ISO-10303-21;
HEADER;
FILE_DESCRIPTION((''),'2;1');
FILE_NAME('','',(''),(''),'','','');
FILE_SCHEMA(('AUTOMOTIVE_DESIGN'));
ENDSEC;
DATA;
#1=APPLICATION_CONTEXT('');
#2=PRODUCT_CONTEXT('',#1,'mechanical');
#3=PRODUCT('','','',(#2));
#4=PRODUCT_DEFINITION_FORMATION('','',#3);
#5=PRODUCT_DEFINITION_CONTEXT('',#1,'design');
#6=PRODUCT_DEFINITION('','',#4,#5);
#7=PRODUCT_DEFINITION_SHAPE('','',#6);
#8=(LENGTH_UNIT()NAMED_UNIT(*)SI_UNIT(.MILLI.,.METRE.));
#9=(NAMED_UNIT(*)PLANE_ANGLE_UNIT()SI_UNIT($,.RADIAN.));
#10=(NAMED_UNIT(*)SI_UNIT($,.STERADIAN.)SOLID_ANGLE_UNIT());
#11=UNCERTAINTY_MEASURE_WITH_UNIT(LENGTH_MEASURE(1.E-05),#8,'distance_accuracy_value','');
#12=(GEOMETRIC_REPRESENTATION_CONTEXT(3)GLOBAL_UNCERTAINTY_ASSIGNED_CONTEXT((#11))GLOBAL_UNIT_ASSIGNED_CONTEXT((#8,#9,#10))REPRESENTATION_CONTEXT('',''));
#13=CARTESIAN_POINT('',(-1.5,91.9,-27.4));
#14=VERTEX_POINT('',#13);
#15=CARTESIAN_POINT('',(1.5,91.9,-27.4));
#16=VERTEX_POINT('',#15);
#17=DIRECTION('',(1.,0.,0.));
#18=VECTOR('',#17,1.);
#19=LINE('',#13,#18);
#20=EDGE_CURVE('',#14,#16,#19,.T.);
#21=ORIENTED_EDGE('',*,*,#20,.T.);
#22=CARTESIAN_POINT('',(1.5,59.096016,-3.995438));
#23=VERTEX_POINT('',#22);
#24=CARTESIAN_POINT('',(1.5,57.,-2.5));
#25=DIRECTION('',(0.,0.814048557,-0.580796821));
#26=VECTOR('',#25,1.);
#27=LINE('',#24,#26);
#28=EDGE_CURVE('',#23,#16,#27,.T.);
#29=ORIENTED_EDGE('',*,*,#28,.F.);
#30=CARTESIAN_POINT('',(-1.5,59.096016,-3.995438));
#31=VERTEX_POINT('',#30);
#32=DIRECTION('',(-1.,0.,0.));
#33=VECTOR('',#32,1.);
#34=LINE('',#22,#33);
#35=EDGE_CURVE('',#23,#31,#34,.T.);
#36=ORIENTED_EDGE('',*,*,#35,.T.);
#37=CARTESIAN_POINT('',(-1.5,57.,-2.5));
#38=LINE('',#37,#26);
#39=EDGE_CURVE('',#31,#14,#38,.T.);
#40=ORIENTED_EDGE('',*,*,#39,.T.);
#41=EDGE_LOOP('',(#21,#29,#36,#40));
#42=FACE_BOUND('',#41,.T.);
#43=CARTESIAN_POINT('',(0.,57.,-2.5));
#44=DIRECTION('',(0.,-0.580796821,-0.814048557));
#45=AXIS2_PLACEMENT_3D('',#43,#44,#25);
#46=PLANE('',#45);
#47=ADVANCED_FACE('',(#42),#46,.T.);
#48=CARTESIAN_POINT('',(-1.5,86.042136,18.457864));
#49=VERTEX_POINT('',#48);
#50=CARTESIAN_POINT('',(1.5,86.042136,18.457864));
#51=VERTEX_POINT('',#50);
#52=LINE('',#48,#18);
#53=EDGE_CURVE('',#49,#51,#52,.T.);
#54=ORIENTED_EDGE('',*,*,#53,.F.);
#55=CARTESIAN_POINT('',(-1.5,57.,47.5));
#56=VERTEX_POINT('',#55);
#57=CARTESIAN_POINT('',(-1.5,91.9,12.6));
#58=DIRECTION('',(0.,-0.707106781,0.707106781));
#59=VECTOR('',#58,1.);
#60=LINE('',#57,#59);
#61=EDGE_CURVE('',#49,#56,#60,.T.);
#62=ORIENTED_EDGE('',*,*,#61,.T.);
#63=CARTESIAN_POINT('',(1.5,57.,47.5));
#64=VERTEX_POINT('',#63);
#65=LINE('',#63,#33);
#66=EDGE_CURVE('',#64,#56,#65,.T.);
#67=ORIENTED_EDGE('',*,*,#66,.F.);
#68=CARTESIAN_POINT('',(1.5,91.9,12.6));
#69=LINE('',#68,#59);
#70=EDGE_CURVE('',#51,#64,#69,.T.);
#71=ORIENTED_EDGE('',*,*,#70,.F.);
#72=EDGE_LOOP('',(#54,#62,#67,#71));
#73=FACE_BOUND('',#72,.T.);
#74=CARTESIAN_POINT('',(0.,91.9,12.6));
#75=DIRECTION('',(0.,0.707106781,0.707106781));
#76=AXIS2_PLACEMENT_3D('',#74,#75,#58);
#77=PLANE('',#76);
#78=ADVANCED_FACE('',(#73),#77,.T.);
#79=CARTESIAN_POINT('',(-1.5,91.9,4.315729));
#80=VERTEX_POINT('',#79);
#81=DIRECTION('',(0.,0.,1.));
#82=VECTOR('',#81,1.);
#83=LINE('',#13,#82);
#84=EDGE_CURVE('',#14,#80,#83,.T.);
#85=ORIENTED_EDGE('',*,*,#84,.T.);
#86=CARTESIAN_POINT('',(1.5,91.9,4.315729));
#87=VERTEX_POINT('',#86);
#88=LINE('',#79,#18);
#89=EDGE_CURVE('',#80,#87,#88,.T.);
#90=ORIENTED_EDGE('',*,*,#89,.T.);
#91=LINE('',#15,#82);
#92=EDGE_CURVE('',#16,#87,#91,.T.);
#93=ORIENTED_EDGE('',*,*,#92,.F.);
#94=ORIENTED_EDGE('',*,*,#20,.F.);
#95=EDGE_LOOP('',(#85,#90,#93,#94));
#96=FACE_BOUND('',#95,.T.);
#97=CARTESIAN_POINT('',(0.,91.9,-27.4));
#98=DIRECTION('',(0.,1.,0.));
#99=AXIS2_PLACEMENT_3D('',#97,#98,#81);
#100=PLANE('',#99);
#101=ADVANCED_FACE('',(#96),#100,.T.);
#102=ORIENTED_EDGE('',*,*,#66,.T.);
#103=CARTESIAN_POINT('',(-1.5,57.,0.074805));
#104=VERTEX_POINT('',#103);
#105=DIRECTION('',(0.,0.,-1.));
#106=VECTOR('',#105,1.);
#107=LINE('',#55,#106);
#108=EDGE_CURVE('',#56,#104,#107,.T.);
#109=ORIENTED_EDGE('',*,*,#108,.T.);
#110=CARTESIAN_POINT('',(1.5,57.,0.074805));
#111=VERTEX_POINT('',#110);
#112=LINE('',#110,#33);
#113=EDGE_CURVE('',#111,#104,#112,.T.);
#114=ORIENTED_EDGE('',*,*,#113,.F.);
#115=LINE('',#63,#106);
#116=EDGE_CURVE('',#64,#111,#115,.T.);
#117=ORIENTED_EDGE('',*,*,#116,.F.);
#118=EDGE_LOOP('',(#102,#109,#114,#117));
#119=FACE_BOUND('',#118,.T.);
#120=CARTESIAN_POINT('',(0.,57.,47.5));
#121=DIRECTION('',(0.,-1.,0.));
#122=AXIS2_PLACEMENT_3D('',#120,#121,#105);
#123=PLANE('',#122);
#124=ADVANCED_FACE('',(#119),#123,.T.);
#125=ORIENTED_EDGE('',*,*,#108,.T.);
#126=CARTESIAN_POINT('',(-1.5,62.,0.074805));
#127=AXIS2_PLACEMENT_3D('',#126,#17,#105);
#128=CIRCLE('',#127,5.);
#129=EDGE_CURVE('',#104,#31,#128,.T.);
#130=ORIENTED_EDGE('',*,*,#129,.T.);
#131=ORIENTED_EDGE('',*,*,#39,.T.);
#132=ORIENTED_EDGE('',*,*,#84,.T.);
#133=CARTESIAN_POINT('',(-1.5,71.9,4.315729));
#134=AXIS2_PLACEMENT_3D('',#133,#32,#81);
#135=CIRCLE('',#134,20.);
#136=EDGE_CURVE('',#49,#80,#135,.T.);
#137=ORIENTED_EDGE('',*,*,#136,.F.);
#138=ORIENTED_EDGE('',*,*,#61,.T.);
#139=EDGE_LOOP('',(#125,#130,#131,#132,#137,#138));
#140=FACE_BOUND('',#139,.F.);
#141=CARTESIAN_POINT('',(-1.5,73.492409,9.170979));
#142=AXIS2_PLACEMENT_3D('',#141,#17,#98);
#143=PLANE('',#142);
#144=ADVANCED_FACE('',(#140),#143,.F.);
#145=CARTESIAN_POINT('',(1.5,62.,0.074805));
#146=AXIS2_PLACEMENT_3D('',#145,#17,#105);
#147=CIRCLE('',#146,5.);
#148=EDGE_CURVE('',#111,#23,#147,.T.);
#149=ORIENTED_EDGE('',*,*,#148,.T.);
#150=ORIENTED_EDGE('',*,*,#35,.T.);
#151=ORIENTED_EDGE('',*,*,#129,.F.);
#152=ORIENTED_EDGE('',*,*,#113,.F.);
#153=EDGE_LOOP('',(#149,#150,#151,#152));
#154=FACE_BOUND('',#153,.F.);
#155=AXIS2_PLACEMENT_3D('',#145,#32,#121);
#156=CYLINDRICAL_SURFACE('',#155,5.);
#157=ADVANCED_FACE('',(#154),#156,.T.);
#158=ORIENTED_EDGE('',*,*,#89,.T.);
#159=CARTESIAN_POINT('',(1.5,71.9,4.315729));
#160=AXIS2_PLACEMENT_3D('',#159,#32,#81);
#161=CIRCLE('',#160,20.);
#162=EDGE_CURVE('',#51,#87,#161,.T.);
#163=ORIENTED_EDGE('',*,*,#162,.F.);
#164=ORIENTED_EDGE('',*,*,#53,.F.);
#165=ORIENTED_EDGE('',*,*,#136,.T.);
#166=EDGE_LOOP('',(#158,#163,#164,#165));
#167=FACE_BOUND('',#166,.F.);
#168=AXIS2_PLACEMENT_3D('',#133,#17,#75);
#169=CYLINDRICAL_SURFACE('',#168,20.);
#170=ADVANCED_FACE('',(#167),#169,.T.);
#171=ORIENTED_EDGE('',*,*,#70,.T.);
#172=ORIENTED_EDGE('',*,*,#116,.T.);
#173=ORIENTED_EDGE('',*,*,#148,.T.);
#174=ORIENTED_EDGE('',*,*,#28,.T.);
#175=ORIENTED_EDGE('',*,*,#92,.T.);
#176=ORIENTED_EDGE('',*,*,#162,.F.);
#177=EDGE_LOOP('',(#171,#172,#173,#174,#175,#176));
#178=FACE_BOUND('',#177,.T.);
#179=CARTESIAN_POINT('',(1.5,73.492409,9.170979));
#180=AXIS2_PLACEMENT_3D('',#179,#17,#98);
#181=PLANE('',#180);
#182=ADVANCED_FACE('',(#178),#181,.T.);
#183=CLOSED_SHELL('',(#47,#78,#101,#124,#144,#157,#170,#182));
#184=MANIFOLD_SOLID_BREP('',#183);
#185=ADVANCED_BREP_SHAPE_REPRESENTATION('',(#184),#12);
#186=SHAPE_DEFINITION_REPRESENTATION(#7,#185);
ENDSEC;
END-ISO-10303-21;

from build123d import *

# Parameters (mm, degrees)
PAD005_DEPTH = 1.5
FILLET004_R  = 20
FILLET005_R  = 5


with BuildPart() as part:
    # Sketch010 → Pad005 (new body, symmetric)
    with BuildSketch(Plane.YZ):
        Polygon((27, -2.5), (61.9, -27.4), (61.9, 12.6), (27, 47.5), align=None)
    extrude(amount=PAD005_DEPTH, both=True)

    # Fillet004
    fillet004_edges = [part.edges().sort_by_distance(p)[0] for p in [
        (0, 61.9, 12.6),
    ]]
    fillet(fillet004_edges, radius=FILLET004_R)

    # Fillet005
    fillet005_edges = [part.edges().sort_by_distance(p)[0] for p in [
        (0, 27, -2.5),
    ]]
    fillet(fillet005_edges, radius=FILLET005_R)


with BuildPart() as part_1:
    # Body006 placement: moved
    add(part.part.moved(Location((0, 30, 0))))


solid = part_1.part
